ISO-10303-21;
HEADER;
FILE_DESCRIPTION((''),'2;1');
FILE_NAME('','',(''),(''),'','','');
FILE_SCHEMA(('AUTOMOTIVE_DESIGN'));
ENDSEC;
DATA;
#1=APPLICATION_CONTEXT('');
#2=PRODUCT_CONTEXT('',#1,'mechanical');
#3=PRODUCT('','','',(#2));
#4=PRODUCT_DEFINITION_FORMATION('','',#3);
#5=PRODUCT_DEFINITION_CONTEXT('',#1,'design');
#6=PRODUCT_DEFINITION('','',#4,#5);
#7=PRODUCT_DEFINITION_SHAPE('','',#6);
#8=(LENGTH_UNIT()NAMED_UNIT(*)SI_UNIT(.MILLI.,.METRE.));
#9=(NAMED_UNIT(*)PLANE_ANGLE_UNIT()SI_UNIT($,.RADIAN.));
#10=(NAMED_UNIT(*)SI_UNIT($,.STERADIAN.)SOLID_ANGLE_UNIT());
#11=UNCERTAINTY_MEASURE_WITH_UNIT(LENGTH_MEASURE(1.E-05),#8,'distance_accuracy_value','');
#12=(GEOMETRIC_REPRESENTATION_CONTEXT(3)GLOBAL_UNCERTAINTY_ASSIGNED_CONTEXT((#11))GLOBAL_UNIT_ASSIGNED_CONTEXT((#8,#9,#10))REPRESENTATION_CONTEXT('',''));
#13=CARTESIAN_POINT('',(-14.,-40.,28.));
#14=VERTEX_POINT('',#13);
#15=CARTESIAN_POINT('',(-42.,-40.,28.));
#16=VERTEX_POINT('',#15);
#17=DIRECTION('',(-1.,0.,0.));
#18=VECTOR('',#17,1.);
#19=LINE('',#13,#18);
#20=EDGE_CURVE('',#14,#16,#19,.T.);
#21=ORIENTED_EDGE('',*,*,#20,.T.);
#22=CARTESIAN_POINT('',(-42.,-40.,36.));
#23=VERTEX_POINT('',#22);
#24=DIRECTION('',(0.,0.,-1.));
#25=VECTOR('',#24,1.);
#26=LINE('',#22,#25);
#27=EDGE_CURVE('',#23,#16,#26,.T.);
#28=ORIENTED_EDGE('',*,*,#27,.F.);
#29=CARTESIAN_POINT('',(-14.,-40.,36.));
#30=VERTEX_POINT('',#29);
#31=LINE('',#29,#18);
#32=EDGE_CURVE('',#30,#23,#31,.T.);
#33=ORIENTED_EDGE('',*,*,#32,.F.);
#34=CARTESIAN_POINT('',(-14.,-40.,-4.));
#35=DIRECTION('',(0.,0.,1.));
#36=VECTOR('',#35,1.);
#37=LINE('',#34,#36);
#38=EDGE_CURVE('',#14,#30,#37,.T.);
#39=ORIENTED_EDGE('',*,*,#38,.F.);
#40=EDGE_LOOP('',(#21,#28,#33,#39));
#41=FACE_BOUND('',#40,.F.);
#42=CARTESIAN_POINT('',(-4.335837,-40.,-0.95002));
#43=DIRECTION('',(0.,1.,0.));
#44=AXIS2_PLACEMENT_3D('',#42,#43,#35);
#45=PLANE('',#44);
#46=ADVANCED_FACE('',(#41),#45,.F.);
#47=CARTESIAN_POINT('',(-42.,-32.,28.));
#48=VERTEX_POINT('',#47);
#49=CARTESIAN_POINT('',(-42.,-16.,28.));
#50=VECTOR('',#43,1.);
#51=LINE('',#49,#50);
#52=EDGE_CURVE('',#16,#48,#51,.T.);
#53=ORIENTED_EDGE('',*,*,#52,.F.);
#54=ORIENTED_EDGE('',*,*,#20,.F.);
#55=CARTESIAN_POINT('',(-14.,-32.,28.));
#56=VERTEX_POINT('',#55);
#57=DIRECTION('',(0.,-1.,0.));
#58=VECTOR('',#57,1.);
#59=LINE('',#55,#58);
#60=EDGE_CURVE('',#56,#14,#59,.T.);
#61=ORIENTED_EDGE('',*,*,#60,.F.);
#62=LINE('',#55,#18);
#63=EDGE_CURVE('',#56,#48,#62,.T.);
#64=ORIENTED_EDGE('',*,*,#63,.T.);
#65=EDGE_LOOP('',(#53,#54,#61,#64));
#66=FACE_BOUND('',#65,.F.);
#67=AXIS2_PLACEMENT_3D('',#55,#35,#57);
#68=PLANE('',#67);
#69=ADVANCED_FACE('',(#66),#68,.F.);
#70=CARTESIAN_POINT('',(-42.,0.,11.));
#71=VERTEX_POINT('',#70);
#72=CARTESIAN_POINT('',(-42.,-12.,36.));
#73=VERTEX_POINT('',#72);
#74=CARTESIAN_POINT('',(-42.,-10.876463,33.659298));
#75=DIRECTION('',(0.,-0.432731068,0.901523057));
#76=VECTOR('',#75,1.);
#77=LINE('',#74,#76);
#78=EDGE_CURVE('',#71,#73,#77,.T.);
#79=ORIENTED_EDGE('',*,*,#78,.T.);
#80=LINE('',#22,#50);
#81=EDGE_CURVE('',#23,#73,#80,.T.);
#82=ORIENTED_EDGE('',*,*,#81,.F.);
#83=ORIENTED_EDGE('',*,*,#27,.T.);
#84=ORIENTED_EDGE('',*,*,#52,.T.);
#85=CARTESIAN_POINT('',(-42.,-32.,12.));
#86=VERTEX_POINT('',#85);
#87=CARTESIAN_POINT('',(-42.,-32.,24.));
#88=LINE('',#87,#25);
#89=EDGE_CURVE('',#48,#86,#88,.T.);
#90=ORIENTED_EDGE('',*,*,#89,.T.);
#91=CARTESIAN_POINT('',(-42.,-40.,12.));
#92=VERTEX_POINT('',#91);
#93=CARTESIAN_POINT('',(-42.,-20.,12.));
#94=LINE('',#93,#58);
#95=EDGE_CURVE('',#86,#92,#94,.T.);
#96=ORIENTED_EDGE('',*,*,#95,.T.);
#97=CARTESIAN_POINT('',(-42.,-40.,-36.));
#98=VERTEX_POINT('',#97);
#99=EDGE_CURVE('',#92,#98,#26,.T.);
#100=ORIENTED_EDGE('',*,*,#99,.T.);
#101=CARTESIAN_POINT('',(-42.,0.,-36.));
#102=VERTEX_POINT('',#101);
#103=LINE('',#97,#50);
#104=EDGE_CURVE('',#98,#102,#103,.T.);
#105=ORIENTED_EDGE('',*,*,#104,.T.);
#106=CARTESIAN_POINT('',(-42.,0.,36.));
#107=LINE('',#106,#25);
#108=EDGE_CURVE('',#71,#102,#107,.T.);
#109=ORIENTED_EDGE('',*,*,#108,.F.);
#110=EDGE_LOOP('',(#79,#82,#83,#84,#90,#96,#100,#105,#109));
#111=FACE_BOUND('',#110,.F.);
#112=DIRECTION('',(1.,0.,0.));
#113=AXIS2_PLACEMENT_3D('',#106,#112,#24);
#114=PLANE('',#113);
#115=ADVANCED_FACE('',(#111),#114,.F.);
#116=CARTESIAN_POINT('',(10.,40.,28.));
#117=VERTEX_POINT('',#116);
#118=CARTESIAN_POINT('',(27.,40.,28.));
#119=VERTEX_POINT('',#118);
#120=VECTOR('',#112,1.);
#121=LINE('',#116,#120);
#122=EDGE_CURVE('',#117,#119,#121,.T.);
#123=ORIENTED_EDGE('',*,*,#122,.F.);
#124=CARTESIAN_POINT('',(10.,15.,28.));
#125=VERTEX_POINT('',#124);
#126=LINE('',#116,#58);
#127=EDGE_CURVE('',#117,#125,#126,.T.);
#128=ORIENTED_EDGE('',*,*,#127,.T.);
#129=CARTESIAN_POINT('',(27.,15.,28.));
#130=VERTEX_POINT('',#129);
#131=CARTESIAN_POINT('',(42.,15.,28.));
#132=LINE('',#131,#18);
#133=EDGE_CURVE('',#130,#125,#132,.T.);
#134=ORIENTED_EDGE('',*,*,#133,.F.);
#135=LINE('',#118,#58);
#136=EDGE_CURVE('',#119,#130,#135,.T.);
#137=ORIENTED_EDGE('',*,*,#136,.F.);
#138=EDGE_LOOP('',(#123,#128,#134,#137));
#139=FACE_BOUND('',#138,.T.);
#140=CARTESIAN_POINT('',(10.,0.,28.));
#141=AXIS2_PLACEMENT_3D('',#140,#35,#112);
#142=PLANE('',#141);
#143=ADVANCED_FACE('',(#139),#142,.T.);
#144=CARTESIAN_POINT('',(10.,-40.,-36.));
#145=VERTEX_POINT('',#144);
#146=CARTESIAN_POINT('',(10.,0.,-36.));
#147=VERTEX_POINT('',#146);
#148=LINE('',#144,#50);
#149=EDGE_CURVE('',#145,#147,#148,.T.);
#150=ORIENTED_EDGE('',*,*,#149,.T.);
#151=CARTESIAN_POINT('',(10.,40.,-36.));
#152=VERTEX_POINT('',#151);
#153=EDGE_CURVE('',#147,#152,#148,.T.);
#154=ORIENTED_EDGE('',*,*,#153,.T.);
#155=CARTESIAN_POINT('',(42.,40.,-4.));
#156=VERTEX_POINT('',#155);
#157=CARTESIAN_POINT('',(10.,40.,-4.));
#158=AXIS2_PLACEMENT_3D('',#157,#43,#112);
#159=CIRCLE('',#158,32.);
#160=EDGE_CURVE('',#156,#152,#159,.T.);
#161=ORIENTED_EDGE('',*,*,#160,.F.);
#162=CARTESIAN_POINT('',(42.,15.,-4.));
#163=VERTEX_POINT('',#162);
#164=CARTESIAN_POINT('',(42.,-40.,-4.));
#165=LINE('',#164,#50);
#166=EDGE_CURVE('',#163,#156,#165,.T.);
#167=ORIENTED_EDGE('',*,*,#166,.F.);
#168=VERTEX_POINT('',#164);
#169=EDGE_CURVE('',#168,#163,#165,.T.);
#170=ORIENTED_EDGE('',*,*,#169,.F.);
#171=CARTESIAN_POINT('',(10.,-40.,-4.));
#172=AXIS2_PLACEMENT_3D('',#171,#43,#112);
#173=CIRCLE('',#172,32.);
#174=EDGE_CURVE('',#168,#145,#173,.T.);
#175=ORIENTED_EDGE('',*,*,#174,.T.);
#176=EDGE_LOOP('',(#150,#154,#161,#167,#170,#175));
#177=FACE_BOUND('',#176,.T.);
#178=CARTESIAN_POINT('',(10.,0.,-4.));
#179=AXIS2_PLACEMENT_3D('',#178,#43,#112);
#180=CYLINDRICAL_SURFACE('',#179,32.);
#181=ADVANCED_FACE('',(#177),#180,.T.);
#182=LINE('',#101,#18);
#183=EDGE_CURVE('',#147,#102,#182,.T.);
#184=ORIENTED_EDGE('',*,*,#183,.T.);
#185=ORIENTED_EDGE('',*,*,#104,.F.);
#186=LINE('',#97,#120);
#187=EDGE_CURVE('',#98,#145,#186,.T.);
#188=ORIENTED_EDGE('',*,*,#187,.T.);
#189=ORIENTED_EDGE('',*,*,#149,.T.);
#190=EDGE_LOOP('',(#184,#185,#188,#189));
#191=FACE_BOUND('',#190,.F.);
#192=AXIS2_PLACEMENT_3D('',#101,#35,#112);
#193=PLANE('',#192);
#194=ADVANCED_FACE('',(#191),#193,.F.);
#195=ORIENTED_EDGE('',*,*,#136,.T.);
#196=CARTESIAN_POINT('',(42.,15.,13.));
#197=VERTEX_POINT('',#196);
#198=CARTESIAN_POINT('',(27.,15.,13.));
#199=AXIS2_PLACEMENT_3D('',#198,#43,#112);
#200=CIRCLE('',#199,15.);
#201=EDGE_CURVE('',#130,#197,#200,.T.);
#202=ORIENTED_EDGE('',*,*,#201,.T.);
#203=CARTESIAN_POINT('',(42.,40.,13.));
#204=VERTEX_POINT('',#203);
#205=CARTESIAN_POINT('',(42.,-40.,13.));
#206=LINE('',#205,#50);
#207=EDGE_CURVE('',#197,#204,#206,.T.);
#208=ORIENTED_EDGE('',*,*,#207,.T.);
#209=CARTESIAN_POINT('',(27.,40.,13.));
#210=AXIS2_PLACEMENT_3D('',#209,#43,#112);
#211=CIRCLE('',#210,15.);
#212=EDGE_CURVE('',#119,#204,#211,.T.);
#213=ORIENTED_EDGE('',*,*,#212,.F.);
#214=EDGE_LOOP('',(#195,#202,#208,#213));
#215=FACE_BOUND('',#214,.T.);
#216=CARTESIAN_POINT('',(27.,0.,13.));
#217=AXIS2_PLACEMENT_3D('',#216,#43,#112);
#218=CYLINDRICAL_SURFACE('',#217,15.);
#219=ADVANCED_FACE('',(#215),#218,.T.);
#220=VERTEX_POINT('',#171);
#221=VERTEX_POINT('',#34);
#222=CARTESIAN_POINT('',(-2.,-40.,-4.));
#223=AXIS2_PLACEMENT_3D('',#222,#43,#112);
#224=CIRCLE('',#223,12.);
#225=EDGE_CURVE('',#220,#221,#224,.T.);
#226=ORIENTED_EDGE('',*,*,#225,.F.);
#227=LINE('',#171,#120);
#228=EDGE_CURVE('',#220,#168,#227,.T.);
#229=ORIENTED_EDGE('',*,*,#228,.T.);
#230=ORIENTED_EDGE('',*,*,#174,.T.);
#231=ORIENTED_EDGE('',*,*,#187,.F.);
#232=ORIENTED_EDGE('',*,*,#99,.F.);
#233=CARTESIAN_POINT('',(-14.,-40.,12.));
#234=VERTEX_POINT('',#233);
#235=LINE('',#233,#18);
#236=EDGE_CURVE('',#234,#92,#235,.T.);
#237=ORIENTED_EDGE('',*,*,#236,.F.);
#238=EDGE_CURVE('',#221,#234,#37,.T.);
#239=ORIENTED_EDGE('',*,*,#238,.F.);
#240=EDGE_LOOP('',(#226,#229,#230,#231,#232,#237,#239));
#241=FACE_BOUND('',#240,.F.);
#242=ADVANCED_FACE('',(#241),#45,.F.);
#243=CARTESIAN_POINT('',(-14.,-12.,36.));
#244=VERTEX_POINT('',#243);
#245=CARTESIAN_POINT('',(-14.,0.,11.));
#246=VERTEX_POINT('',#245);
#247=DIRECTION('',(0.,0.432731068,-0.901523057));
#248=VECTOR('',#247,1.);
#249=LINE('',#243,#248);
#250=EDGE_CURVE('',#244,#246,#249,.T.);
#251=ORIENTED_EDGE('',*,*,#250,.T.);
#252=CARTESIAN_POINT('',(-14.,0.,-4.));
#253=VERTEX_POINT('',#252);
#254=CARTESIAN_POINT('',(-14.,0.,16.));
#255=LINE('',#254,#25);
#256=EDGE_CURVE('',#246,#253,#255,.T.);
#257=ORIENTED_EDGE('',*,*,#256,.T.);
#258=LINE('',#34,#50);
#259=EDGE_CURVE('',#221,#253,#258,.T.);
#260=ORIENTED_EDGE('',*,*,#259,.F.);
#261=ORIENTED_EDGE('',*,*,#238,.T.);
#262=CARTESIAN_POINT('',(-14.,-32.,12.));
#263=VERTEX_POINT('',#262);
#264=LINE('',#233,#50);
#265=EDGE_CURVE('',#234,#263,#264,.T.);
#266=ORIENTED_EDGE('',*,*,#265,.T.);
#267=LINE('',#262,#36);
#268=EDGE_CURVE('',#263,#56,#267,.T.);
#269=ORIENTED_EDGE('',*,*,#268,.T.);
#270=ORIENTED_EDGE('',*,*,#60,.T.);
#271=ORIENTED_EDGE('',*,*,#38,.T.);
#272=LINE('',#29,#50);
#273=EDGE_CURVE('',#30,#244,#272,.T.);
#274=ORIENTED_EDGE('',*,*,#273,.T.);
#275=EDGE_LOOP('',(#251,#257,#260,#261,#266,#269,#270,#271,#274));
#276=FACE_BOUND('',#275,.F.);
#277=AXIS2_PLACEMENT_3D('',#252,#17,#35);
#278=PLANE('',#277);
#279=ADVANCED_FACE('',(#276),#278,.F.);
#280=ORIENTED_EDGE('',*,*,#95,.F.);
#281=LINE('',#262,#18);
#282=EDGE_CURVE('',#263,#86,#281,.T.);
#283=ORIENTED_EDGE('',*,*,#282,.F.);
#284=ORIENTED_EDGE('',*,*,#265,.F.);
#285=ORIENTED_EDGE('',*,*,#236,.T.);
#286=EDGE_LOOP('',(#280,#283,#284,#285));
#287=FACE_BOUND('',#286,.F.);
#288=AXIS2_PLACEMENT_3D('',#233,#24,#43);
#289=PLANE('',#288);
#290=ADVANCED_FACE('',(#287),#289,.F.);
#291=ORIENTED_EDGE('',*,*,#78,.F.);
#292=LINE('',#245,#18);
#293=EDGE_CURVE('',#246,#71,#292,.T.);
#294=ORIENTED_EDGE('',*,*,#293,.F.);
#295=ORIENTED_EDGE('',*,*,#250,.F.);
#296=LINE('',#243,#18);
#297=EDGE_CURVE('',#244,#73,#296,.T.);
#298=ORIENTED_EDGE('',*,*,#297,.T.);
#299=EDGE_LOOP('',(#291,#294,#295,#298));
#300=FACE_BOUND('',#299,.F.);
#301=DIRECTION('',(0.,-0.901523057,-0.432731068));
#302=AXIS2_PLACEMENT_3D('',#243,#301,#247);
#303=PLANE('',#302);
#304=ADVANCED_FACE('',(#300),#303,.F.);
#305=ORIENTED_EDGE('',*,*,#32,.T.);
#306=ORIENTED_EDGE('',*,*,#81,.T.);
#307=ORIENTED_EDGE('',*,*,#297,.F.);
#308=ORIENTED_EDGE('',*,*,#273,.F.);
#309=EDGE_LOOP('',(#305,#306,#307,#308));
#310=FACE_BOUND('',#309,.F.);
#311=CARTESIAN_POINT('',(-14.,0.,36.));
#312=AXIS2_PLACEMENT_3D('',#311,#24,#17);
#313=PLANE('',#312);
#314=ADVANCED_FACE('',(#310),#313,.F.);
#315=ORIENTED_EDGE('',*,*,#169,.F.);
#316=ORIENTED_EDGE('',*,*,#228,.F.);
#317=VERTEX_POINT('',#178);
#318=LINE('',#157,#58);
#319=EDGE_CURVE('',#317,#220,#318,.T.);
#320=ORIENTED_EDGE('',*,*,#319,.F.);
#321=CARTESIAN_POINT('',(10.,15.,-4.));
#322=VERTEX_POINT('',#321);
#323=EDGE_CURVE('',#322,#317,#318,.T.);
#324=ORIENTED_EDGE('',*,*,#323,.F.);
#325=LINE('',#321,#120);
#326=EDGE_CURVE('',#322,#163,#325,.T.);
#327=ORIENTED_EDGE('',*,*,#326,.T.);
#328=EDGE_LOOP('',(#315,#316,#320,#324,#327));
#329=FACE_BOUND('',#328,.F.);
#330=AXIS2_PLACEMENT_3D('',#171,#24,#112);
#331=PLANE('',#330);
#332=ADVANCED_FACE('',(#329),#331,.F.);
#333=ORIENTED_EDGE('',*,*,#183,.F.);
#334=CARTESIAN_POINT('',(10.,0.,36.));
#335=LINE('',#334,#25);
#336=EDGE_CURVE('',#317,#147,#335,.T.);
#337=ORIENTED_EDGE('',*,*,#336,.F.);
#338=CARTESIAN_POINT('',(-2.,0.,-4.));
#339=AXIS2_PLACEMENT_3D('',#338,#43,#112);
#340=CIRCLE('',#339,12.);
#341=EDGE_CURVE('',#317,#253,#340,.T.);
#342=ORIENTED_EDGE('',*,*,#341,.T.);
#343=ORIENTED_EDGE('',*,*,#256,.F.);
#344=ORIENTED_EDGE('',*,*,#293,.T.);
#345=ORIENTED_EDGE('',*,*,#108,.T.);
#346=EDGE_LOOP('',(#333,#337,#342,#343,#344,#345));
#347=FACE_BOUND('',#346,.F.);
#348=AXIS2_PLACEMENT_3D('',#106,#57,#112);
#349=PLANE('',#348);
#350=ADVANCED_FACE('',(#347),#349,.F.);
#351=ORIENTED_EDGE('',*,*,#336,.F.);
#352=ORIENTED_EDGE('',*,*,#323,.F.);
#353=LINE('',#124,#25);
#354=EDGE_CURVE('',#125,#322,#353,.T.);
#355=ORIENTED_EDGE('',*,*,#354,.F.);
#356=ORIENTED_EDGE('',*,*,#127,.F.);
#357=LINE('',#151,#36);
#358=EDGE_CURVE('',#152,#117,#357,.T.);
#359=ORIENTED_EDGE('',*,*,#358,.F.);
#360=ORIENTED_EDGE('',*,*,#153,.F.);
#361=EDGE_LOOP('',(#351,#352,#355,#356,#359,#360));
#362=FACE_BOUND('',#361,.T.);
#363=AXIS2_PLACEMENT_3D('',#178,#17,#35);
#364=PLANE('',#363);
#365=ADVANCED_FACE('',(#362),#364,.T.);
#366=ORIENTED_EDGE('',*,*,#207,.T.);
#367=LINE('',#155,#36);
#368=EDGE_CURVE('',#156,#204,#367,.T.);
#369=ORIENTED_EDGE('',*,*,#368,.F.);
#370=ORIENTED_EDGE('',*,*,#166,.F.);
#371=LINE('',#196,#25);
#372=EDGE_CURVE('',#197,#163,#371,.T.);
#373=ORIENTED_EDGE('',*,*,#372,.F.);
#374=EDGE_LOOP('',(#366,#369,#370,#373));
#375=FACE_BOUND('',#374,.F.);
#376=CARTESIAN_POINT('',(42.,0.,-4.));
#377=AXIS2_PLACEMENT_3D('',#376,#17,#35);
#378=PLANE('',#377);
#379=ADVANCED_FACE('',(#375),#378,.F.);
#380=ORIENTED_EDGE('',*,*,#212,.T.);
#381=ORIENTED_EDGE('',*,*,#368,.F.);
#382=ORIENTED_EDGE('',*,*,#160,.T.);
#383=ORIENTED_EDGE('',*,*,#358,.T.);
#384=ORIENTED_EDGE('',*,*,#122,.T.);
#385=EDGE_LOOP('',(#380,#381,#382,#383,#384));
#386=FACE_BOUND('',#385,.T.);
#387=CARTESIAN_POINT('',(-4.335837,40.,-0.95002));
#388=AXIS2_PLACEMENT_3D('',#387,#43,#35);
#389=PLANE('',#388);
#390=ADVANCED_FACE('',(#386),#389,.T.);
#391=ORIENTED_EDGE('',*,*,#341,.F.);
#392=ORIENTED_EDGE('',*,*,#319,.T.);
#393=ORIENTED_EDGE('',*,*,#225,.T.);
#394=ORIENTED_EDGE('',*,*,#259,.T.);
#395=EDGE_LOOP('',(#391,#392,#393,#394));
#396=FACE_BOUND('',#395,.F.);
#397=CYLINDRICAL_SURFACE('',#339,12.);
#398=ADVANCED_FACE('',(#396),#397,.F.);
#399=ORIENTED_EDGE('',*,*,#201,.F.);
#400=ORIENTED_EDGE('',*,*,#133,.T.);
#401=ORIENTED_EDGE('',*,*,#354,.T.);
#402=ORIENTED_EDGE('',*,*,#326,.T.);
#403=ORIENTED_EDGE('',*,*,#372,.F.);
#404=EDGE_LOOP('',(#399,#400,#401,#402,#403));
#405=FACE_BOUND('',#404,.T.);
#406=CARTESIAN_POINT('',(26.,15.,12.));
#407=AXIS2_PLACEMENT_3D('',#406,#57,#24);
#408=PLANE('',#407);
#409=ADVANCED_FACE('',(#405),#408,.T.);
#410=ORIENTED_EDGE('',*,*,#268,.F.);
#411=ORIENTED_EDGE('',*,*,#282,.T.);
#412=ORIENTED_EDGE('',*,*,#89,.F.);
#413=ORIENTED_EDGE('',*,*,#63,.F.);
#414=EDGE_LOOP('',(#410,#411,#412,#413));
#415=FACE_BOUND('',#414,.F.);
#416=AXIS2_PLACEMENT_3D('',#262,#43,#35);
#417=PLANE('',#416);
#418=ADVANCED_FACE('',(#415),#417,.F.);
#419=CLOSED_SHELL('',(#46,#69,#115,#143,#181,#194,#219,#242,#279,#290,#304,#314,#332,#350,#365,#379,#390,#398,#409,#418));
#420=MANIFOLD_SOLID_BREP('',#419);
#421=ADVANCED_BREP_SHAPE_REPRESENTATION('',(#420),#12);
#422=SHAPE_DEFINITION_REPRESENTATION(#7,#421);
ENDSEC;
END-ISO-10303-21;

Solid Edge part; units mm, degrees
sketch "Sketch1" plane through (0, 0, 0) normal (0, -1, 0) x (1, 0, 0)
  arc A0 (27, 28) -> (42, 13) centre (27, 13) cw
  line L0 (42, -4) -> (42, 13)
  arc A1 (42, -4) -> (10, -36) centre (10, -4) cw
  line L1 (-42, -36) -> (10, -36)
  line L2 (-42, 36) -> (-42, -36)
  line L3 (-14, 36) -> (-42, 36)
  line L4 (-14, -4) -> (-14, 36)
  arc A2 (10, -4) -> (-14, -4) centre (-2, -4) cw
  line L5 (10, -4) -> (10, 28)
  line L6 (10, 28) -> (27, 28)
extrude "Protrusion1" add sketch "Sketch1" along normal mid plane 80
sketch "Sketch2" plane through (0, -40, 0) normal (0, -1, 0) x (1, 0, 0)
  line L0 (42, 0) -> (42, 28)
  line L1 (42, 28) -> (10, 28)
  line L2 (10, 28) -> (10, 0)
  line L3 (10, 0) -> (10, -4)
  line L4 (10, -4) -> (42, -4)
  line L5 (42, -4) -> (42, 0)
extrude "ExtrudedCutout_1" cut sketch "Sketch2" against normal blind 55
sketch "Sketch3" plane through (-28, 0, 36) normal (0, 0, 1) x (0, 1, 0)
  line L0 (0, -38) -> (40, -38)
  line L1 (40, -38) -> (40, 14)
  line L2 (40, 14) -> (0, 14)
  line L3 (0, 14) -> (0, -38)
extrude "Cutout1" cut sketch "Sketch3" against normal up to next
sketch "Sketch4" plane through (-14, -20, 16) normal (1, 0, 0) x (0, 1, 0)
  line L0 (-20, 12) -> (-20, -4)
  line L1 (-20, -4) -> (-12, -4)
  line L2 (-12, -4) -> (-12, 12)
  line L3 (-12, 12) -> (-20, 12)
  line L4 (8, 20) -> (20, -5)
  line L5 (20, 20) -> (20, -5)
  line L6 (20, 20) -> (8, 20)
extrude "Cutout2" cut sketch "Sketch4" against normal up to next
